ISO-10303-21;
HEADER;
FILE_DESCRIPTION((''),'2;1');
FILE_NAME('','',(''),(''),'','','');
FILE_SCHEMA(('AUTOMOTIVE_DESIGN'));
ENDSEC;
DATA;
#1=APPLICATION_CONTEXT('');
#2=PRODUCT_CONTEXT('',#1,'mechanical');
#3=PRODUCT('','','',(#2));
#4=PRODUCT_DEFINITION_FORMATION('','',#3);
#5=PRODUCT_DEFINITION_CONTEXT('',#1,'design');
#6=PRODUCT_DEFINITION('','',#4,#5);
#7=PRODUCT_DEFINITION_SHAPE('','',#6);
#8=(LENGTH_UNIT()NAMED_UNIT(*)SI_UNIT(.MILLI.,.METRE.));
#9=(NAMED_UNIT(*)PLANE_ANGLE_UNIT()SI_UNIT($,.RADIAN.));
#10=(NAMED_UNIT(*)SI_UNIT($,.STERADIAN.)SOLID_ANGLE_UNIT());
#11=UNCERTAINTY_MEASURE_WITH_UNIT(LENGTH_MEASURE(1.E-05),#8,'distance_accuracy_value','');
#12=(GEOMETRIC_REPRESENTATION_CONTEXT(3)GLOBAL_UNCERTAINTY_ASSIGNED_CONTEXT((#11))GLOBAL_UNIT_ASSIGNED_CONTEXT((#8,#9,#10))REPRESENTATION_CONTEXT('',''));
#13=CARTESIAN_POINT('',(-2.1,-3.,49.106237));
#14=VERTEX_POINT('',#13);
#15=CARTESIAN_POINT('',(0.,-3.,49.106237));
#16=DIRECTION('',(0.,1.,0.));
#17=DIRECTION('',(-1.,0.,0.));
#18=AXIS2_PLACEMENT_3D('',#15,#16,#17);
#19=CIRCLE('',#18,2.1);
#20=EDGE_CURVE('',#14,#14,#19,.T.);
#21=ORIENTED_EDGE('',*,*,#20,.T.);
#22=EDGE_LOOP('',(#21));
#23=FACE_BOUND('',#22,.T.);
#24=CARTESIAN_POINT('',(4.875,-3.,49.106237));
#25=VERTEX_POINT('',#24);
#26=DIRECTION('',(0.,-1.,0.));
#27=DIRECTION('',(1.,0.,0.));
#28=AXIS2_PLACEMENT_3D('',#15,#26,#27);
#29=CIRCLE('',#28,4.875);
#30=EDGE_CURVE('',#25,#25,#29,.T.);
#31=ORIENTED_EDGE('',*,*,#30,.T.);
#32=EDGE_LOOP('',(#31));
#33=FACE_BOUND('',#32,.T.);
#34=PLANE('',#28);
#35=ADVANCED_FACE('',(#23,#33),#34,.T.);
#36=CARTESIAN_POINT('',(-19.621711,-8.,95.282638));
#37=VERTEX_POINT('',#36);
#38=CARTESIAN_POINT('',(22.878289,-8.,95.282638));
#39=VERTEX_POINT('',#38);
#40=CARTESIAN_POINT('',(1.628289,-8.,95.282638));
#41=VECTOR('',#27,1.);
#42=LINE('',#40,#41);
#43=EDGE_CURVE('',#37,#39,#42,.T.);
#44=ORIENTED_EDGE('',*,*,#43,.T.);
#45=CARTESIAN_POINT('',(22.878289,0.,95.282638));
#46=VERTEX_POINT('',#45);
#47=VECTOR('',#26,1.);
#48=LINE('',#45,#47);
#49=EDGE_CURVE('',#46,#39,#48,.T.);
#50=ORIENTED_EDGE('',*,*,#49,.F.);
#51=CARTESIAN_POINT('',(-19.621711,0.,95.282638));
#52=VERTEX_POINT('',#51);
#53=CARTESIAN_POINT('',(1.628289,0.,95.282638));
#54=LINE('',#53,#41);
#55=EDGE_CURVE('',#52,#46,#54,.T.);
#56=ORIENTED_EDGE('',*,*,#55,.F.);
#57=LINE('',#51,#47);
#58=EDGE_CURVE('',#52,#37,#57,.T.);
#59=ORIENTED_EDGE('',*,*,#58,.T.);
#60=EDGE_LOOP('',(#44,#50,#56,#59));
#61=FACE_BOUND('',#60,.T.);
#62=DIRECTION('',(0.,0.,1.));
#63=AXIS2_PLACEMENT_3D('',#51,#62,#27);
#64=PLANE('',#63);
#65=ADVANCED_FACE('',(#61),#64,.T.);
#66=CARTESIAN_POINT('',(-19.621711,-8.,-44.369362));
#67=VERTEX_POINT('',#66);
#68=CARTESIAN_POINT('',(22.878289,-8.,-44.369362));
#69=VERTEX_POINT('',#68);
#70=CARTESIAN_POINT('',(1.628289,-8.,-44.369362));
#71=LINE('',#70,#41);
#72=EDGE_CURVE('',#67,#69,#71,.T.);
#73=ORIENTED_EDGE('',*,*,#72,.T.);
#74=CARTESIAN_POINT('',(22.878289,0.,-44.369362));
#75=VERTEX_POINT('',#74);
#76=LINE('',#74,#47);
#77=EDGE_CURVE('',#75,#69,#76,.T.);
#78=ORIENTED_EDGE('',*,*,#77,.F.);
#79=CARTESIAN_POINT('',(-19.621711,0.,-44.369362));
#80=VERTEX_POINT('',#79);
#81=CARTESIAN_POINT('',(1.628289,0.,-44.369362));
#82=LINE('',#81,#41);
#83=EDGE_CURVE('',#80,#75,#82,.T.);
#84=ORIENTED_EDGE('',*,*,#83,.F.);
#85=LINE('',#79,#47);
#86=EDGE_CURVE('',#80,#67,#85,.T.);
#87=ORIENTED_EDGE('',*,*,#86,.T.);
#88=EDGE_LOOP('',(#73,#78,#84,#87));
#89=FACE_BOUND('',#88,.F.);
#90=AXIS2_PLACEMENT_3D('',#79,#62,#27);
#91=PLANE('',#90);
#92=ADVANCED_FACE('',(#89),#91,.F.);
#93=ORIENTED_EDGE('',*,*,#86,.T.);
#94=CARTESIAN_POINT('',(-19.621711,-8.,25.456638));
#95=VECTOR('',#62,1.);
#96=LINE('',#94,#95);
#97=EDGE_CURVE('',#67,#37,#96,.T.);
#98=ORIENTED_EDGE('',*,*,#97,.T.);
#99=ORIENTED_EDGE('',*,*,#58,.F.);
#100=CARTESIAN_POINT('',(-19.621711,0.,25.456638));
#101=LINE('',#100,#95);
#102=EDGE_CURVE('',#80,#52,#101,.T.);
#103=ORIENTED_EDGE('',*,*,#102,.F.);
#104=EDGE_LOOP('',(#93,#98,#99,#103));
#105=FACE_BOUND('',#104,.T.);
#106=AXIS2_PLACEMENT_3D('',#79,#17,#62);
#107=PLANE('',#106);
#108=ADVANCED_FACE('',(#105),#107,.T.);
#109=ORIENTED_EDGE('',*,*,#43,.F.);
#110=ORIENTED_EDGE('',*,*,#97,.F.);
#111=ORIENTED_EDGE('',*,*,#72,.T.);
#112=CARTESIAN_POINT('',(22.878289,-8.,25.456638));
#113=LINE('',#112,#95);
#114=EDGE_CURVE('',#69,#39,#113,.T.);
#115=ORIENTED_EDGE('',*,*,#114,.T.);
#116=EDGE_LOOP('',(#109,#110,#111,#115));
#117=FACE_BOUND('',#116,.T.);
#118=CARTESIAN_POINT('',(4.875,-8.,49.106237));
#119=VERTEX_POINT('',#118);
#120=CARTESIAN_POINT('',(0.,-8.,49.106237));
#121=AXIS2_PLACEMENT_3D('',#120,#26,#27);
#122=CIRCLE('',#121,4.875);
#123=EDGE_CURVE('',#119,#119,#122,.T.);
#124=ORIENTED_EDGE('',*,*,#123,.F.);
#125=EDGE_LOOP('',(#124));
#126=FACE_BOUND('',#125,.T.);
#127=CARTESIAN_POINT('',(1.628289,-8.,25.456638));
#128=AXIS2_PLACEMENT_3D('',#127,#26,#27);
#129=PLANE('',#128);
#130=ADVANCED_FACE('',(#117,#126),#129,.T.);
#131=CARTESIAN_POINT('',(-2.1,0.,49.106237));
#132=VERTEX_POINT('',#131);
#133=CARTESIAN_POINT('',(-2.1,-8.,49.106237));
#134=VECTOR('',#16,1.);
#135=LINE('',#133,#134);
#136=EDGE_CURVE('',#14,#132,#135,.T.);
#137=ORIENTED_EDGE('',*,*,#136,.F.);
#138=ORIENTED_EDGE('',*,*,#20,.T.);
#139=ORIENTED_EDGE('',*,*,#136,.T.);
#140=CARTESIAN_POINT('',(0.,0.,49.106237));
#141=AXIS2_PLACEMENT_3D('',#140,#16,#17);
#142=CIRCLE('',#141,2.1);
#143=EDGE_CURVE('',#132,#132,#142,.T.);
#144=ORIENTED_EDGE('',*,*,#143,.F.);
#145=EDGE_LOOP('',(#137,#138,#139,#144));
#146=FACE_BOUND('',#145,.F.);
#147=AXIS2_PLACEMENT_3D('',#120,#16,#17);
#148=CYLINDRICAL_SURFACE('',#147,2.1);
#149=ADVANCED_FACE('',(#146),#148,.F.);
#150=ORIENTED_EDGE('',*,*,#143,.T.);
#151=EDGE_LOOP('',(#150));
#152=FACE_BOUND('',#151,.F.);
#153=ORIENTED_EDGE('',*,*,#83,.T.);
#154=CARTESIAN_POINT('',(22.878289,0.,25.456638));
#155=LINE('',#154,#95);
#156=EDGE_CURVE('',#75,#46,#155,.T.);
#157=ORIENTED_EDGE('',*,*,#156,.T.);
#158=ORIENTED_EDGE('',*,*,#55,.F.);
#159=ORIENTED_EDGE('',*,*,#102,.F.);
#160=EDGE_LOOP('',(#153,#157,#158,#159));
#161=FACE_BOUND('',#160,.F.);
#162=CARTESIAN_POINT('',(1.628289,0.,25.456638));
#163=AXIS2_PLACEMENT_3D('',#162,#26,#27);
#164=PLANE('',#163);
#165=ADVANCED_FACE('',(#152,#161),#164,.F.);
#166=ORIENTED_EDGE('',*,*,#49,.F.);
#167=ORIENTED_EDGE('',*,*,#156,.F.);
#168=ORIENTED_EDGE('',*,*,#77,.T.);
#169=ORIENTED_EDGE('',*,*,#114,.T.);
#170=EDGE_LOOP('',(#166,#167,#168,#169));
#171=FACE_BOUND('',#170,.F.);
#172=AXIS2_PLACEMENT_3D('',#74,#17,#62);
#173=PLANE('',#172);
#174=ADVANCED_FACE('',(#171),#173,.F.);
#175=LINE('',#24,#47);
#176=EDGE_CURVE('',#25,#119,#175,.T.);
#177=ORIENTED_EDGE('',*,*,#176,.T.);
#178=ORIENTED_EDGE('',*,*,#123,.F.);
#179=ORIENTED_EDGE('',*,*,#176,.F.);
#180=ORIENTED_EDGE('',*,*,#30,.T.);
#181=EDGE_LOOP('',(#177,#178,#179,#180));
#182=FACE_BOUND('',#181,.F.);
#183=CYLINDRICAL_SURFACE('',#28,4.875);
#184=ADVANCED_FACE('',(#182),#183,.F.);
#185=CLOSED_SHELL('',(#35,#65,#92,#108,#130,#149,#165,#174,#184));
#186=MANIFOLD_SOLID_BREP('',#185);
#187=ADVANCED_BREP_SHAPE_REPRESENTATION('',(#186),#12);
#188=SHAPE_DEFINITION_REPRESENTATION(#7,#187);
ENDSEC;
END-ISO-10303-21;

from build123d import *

# Parameters (mm, degrees)
F0_W           = 42.5
F0_H           = 139.652
F1_DEPTH       = 8
F3_D           = 4.2
F3_DEPTH       = 14.4
F3_CBORE_D     = 9.75
F3_CBORE_DEPTH = 5


with BuildPart() as f1:
    # F0 (on Front) → F1 (new body)
    with BuildSketch(Plane.XZ):
        with Locations((1.628289, 25.456638)):
            Rectangle(F0_W, F0_H)
    extrude(amount=F1_DEPTH)

    # F3
    with Locations(Plane.XZ.offset(8)):
        with Locations((0, 49.106237)):
            CounterBoreHole(F3_D / 2, F3_CBORE_D / 2, F3_CBORE_DEPTH, depth=F3_DEPTH)


solid = f1.part
